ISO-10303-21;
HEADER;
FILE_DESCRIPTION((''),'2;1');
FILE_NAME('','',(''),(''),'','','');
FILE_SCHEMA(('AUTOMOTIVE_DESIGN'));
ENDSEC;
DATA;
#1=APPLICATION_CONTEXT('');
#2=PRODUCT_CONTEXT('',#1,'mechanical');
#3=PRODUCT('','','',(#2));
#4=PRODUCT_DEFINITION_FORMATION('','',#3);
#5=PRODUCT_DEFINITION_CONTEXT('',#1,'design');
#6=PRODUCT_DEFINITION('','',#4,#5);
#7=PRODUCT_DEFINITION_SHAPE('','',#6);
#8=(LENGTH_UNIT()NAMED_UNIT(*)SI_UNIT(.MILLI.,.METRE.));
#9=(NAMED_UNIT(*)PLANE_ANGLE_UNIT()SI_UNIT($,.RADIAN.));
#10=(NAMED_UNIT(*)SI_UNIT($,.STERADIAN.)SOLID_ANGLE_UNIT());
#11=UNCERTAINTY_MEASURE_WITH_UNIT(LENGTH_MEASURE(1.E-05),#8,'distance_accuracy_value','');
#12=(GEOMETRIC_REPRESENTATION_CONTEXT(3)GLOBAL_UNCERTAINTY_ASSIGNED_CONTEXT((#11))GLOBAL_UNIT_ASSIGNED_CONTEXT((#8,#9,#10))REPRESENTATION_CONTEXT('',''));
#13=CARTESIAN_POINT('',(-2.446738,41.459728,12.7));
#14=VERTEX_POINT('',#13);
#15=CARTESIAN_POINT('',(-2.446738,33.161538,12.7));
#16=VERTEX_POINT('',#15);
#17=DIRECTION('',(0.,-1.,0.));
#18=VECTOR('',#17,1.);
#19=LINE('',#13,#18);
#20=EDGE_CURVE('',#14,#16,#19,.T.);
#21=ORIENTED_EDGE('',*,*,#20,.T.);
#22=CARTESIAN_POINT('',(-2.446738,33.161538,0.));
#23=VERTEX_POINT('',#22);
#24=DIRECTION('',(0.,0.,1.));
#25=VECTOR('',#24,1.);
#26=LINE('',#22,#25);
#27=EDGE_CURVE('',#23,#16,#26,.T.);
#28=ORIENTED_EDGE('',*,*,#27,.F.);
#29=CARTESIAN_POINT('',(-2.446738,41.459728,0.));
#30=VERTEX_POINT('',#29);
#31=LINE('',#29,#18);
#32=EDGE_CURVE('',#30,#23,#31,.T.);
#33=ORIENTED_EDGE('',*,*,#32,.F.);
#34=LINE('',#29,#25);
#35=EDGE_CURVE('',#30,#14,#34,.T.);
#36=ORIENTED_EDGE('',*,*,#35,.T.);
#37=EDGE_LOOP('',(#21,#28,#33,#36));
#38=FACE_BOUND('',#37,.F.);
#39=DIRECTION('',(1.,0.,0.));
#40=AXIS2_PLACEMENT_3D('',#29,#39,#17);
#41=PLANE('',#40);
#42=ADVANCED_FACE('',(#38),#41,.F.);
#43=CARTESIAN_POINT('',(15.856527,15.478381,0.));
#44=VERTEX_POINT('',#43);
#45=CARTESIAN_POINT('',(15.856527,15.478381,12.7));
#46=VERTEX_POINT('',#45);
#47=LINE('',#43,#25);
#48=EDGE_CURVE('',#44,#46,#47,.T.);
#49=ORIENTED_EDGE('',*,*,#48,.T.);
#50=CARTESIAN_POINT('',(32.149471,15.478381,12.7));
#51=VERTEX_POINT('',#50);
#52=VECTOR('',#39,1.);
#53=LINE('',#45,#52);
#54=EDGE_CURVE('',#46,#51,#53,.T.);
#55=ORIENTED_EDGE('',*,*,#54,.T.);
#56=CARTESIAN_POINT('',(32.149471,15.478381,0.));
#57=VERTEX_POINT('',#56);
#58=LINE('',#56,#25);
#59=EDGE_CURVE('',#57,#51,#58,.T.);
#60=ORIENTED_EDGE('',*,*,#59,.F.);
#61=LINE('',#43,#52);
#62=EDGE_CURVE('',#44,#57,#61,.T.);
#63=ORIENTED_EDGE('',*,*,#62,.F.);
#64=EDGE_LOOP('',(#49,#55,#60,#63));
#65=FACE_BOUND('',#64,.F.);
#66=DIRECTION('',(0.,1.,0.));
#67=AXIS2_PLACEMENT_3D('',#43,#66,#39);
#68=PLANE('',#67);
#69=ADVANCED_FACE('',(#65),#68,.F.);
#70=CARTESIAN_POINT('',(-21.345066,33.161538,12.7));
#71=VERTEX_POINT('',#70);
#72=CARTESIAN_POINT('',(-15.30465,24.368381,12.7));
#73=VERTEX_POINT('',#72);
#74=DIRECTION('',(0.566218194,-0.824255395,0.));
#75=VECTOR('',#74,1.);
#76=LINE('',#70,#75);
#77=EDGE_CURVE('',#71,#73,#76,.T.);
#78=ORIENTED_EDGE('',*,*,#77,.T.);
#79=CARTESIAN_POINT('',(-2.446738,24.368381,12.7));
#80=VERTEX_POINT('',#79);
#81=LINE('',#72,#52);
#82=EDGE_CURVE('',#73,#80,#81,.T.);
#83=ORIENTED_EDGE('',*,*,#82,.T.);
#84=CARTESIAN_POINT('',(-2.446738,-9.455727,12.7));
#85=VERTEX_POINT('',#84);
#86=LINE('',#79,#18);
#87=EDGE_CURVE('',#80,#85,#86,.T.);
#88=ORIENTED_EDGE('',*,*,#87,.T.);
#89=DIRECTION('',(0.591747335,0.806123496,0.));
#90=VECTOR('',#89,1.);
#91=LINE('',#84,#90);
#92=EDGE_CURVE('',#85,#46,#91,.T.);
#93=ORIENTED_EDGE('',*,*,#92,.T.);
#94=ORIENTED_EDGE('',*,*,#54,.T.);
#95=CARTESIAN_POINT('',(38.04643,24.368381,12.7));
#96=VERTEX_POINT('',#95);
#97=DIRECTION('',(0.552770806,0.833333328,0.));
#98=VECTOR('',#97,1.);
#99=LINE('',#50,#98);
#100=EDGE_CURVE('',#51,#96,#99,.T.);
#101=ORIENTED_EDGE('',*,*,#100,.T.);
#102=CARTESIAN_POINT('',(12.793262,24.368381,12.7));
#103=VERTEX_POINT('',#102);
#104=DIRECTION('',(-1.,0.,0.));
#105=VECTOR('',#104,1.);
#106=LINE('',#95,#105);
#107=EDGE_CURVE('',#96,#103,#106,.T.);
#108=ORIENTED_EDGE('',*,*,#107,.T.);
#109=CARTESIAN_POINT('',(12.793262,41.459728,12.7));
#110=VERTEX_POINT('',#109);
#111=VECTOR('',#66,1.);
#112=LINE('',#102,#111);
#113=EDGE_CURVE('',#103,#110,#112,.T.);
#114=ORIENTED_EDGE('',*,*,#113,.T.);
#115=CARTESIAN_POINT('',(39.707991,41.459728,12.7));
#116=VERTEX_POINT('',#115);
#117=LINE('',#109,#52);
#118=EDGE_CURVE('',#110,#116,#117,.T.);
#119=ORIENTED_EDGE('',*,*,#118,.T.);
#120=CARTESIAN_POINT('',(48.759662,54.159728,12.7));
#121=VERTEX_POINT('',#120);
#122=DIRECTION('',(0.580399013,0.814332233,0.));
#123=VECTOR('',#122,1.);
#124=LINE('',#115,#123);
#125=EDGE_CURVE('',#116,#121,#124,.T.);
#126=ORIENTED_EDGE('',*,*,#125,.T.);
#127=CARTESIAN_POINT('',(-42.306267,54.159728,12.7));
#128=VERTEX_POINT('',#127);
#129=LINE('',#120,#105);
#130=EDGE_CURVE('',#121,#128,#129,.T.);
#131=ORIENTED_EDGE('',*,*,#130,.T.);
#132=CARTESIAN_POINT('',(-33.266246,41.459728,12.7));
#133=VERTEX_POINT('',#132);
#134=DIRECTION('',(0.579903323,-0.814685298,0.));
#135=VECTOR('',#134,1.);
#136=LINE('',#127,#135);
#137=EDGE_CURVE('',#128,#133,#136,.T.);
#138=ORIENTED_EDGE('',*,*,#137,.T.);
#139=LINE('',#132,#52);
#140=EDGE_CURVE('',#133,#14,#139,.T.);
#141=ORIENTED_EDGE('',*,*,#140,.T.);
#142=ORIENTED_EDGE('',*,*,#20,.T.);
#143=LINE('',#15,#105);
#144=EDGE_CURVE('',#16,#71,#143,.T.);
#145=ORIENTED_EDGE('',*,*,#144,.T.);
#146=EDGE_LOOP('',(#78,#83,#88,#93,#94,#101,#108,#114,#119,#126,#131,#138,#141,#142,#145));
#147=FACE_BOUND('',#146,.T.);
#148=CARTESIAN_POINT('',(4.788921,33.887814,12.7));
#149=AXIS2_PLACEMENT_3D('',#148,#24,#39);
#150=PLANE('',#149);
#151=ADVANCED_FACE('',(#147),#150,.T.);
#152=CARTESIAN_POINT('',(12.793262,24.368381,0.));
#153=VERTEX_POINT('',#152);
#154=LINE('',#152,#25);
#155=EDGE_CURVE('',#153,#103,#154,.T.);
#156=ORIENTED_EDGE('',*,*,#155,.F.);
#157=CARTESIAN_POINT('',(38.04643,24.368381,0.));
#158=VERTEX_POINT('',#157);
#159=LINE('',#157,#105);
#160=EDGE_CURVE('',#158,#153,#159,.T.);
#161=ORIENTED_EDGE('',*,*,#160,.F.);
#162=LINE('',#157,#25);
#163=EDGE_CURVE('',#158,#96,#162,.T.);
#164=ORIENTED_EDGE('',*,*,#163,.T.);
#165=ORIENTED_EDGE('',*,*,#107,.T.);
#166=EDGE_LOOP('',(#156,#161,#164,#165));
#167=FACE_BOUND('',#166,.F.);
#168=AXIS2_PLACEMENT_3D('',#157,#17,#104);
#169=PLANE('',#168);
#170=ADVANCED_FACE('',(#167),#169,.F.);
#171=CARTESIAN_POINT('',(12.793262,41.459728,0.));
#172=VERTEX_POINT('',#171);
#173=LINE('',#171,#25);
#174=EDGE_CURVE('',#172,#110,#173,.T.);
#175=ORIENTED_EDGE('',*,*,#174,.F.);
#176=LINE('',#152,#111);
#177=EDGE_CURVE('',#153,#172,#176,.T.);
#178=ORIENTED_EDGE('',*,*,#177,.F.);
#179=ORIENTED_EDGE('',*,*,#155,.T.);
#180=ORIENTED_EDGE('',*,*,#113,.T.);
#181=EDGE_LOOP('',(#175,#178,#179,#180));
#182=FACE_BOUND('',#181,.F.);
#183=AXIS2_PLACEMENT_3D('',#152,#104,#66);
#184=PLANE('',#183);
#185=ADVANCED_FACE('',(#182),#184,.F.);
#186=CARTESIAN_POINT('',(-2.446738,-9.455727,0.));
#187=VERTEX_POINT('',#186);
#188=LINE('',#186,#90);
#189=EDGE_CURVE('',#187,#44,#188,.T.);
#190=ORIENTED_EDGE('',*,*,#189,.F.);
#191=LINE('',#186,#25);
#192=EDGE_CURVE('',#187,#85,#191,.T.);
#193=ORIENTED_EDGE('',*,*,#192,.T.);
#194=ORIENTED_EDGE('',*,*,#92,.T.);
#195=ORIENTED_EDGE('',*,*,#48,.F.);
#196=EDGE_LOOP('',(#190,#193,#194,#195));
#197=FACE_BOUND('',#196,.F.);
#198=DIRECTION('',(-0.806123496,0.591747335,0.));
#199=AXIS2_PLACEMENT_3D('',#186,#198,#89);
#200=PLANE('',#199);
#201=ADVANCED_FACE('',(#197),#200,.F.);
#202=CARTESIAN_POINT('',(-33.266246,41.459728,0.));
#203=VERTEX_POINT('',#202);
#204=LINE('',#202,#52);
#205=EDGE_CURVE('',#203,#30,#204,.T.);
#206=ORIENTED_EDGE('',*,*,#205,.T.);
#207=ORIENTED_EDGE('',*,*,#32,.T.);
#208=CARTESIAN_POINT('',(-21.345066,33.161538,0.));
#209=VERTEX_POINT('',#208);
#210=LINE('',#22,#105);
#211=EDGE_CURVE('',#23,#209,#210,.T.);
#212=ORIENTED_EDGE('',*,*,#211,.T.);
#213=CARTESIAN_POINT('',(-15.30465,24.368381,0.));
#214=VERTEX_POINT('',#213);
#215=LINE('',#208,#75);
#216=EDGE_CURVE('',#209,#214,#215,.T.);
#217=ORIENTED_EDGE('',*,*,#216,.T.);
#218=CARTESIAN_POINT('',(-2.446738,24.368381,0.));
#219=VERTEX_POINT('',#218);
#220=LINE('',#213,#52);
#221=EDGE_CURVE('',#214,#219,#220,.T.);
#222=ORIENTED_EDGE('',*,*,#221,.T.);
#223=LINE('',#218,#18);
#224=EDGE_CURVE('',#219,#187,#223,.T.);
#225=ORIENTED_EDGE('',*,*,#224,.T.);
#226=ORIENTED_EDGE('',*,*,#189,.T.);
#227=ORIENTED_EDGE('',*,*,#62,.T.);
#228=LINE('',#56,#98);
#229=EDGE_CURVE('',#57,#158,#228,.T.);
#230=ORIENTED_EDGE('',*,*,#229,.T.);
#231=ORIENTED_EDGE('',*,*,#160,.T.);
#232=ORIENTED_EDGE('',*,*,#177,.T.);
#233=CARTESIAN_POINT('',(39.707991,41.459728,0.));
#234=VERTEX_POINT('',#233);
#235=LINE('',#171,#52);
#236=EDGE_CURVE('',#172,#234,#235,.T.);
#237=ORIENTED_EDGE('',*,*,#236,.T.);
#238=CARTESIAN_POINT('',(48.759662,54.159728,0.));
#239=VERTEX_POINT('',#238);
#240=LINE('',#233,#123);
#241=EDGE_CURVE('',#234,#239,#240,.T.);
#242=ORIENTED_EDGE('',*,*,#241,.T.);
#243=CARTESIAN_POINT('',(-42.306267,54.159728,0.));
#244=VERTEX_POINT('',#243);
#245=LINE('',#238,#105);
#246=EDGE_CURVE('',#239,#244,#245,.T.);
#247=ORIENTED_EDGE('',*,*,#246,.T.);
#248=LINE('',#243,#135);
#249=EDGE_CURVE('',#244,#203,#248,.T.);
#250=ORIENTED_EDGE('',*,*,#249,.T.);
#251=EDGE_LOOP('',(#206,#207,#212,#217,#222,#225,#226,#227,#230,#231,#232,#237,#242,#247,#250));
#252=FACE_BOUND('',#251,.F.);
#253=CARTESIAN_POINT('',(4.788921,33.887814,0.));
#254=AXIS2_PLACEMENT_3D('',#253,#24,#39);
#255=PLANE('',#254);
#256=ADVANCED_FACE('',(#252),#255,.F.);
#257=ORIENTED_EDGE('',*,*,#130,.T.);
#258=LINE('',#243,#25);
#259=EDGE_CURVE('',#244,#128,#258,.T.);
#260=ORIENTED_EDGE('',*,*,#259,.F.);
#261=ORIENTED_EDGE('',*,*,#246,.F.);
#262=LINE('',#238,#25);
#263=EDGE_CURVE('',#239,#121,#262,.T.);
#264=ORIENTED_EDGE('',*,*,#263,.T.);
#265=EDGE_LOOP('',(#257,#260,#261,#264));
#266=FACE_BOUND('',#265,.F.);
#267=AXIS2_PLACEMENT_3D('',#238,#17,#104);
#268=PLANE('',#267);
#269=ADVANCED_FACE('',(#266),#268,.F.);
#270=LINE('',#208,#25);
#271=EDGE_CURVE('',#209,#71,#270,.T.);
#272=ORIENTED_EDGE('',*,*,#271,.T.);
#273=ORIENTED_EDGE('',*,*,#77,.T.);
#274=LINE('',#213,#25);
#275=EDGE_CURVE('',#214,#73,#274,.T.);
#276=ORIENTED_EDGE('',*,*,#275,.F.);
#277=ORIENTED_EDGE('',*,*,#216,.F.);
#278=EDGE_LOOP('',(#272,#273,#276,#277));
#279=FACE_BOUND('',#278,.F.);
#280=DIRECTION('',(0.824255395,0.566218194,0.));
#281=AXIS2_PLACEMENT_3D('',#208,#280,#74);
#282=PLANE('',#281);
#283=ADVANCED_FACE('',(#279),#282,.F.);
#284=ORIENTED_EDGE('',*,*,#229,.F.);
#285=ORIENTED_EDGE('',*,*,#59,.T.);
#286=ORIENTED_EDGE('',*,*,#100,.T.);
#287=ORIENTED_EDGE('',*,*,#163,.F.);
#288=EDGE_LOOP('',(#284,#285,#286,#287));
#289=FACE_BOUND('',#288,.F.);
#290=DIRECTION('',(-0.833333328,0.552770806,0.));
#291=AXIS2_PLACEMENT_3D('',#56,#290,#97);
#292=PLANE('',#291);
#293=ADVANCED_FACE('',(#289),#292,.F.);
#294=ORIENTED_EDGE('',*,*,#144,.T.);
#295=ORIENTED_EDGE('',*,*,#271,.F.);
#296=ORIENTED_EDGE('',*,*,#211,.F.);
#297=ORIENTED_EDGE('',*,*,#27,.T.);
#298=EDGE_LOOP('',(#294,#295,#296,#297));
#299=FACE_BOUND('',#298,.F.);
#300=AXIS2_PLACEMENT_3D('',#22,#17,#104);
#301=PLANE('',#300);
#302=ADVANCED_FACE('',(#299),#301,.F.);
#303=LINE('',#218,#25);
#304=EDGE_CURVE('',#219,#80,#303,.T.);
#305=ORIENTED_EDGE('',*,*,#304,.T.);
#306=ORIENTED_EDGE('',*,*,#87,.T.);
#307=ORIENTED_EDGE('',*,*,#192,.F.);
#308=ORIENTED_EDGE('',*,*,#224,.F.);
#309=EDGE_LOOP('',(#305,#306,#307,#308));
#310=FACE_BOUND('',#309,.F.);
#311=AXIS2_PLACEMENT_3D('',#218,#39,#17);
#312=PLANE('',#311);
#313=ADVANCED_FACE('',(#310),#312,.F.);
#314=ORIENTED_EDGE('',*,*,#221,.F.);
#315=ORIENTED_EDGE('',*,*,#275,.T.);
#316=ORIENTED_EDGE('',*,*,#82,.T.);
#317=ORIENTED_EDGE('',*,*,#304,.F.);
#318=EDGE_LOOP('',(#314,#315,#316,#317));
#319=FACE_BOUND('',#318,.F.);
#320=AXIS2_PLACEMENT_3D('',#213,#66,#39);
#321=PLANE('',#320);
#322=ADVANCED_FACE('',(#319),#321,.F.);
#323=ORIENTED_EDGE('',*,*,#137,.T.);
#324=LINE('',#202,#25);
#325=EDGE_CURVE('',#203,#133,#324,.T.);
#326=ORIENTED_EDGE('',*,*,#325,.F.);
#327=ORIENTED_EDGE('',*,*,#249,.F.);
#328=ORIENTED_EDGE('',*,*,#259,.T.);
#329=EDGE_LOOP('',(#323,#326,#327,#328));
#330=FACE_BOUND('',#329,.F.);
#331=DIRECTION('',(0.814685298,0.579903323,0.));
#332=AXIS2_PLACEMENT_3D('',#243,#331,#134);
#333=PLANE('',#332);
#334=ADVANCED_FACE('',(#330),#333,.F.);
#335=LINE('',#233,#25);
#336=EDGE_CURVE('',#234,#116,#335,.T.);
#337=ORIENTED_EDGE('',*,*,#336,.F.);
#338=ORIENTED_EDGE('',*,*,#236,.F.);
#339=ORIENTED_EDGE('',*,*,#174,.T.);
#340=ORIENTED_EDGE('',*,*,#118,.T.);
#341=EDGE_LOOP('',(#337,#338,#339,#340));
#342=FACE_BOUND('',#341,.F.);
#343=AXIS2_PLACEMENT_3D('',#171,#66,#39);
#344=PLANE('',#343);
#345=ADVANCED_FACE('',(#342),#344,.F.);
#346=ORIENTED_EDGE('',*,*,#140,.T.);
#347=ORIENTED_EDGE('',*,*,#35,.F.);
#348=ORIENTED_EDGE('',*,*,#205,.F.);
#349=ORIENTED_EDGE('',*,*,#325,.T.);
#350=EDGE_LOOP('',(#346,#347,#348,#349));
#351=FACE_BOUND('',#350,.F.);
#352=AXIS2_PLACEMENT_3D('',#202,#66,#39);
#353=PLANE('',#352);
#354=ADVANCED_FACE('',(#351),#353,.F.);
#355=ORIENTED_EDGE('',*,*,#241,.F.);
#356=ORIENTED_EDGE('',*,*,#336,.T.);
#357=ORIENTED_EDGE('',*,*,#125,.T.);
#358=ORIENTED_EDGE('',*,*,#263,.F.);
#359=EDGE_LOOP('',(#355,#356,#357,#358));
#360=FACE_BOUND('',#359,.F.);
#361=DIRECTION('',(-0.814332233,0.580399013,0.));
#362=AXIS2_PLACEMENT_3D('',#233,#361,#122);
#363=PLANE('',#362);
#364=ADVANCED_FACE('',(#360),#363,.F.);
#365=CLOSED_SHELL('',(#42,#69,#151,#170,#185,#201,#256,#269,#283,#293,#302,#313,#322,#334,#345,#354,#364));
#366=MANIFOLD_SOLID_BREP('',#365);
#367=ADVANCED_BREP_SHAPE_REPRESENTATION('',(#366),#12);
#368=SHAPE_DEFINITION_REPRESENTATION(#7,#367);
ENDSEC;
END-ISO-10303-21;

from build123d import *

# Parameters (mm, degrees)
F1_DEPTH = 12.7


with BuildPart() as f1:
    # F0 (on Top) → F1 (new body)
    with BuildSketch(Plane.XY):
        Polygon((48.759662, 54.159728), (-42.306267, 54.159728), (-33.266246, 41.459728), (-2.446738, 41.459728), (-2.446738, 33.161538), (-21.345066, 33.161538), (-15.30465, 24.368381), (-2.446738, 24.368381), (-2.446738, 0), (-2.446738, -9.455727), (15.856527, 15.478381), (22.471367, 15.478381), (32.149471, 15.478381), (38.04643, 24.368381), (12.793262, 24.368381), (12.793262, 41.459728), (39.707991, 41.459728), align=None)
    extrude(amount=F1_DEPTH)


solid = f1.part
